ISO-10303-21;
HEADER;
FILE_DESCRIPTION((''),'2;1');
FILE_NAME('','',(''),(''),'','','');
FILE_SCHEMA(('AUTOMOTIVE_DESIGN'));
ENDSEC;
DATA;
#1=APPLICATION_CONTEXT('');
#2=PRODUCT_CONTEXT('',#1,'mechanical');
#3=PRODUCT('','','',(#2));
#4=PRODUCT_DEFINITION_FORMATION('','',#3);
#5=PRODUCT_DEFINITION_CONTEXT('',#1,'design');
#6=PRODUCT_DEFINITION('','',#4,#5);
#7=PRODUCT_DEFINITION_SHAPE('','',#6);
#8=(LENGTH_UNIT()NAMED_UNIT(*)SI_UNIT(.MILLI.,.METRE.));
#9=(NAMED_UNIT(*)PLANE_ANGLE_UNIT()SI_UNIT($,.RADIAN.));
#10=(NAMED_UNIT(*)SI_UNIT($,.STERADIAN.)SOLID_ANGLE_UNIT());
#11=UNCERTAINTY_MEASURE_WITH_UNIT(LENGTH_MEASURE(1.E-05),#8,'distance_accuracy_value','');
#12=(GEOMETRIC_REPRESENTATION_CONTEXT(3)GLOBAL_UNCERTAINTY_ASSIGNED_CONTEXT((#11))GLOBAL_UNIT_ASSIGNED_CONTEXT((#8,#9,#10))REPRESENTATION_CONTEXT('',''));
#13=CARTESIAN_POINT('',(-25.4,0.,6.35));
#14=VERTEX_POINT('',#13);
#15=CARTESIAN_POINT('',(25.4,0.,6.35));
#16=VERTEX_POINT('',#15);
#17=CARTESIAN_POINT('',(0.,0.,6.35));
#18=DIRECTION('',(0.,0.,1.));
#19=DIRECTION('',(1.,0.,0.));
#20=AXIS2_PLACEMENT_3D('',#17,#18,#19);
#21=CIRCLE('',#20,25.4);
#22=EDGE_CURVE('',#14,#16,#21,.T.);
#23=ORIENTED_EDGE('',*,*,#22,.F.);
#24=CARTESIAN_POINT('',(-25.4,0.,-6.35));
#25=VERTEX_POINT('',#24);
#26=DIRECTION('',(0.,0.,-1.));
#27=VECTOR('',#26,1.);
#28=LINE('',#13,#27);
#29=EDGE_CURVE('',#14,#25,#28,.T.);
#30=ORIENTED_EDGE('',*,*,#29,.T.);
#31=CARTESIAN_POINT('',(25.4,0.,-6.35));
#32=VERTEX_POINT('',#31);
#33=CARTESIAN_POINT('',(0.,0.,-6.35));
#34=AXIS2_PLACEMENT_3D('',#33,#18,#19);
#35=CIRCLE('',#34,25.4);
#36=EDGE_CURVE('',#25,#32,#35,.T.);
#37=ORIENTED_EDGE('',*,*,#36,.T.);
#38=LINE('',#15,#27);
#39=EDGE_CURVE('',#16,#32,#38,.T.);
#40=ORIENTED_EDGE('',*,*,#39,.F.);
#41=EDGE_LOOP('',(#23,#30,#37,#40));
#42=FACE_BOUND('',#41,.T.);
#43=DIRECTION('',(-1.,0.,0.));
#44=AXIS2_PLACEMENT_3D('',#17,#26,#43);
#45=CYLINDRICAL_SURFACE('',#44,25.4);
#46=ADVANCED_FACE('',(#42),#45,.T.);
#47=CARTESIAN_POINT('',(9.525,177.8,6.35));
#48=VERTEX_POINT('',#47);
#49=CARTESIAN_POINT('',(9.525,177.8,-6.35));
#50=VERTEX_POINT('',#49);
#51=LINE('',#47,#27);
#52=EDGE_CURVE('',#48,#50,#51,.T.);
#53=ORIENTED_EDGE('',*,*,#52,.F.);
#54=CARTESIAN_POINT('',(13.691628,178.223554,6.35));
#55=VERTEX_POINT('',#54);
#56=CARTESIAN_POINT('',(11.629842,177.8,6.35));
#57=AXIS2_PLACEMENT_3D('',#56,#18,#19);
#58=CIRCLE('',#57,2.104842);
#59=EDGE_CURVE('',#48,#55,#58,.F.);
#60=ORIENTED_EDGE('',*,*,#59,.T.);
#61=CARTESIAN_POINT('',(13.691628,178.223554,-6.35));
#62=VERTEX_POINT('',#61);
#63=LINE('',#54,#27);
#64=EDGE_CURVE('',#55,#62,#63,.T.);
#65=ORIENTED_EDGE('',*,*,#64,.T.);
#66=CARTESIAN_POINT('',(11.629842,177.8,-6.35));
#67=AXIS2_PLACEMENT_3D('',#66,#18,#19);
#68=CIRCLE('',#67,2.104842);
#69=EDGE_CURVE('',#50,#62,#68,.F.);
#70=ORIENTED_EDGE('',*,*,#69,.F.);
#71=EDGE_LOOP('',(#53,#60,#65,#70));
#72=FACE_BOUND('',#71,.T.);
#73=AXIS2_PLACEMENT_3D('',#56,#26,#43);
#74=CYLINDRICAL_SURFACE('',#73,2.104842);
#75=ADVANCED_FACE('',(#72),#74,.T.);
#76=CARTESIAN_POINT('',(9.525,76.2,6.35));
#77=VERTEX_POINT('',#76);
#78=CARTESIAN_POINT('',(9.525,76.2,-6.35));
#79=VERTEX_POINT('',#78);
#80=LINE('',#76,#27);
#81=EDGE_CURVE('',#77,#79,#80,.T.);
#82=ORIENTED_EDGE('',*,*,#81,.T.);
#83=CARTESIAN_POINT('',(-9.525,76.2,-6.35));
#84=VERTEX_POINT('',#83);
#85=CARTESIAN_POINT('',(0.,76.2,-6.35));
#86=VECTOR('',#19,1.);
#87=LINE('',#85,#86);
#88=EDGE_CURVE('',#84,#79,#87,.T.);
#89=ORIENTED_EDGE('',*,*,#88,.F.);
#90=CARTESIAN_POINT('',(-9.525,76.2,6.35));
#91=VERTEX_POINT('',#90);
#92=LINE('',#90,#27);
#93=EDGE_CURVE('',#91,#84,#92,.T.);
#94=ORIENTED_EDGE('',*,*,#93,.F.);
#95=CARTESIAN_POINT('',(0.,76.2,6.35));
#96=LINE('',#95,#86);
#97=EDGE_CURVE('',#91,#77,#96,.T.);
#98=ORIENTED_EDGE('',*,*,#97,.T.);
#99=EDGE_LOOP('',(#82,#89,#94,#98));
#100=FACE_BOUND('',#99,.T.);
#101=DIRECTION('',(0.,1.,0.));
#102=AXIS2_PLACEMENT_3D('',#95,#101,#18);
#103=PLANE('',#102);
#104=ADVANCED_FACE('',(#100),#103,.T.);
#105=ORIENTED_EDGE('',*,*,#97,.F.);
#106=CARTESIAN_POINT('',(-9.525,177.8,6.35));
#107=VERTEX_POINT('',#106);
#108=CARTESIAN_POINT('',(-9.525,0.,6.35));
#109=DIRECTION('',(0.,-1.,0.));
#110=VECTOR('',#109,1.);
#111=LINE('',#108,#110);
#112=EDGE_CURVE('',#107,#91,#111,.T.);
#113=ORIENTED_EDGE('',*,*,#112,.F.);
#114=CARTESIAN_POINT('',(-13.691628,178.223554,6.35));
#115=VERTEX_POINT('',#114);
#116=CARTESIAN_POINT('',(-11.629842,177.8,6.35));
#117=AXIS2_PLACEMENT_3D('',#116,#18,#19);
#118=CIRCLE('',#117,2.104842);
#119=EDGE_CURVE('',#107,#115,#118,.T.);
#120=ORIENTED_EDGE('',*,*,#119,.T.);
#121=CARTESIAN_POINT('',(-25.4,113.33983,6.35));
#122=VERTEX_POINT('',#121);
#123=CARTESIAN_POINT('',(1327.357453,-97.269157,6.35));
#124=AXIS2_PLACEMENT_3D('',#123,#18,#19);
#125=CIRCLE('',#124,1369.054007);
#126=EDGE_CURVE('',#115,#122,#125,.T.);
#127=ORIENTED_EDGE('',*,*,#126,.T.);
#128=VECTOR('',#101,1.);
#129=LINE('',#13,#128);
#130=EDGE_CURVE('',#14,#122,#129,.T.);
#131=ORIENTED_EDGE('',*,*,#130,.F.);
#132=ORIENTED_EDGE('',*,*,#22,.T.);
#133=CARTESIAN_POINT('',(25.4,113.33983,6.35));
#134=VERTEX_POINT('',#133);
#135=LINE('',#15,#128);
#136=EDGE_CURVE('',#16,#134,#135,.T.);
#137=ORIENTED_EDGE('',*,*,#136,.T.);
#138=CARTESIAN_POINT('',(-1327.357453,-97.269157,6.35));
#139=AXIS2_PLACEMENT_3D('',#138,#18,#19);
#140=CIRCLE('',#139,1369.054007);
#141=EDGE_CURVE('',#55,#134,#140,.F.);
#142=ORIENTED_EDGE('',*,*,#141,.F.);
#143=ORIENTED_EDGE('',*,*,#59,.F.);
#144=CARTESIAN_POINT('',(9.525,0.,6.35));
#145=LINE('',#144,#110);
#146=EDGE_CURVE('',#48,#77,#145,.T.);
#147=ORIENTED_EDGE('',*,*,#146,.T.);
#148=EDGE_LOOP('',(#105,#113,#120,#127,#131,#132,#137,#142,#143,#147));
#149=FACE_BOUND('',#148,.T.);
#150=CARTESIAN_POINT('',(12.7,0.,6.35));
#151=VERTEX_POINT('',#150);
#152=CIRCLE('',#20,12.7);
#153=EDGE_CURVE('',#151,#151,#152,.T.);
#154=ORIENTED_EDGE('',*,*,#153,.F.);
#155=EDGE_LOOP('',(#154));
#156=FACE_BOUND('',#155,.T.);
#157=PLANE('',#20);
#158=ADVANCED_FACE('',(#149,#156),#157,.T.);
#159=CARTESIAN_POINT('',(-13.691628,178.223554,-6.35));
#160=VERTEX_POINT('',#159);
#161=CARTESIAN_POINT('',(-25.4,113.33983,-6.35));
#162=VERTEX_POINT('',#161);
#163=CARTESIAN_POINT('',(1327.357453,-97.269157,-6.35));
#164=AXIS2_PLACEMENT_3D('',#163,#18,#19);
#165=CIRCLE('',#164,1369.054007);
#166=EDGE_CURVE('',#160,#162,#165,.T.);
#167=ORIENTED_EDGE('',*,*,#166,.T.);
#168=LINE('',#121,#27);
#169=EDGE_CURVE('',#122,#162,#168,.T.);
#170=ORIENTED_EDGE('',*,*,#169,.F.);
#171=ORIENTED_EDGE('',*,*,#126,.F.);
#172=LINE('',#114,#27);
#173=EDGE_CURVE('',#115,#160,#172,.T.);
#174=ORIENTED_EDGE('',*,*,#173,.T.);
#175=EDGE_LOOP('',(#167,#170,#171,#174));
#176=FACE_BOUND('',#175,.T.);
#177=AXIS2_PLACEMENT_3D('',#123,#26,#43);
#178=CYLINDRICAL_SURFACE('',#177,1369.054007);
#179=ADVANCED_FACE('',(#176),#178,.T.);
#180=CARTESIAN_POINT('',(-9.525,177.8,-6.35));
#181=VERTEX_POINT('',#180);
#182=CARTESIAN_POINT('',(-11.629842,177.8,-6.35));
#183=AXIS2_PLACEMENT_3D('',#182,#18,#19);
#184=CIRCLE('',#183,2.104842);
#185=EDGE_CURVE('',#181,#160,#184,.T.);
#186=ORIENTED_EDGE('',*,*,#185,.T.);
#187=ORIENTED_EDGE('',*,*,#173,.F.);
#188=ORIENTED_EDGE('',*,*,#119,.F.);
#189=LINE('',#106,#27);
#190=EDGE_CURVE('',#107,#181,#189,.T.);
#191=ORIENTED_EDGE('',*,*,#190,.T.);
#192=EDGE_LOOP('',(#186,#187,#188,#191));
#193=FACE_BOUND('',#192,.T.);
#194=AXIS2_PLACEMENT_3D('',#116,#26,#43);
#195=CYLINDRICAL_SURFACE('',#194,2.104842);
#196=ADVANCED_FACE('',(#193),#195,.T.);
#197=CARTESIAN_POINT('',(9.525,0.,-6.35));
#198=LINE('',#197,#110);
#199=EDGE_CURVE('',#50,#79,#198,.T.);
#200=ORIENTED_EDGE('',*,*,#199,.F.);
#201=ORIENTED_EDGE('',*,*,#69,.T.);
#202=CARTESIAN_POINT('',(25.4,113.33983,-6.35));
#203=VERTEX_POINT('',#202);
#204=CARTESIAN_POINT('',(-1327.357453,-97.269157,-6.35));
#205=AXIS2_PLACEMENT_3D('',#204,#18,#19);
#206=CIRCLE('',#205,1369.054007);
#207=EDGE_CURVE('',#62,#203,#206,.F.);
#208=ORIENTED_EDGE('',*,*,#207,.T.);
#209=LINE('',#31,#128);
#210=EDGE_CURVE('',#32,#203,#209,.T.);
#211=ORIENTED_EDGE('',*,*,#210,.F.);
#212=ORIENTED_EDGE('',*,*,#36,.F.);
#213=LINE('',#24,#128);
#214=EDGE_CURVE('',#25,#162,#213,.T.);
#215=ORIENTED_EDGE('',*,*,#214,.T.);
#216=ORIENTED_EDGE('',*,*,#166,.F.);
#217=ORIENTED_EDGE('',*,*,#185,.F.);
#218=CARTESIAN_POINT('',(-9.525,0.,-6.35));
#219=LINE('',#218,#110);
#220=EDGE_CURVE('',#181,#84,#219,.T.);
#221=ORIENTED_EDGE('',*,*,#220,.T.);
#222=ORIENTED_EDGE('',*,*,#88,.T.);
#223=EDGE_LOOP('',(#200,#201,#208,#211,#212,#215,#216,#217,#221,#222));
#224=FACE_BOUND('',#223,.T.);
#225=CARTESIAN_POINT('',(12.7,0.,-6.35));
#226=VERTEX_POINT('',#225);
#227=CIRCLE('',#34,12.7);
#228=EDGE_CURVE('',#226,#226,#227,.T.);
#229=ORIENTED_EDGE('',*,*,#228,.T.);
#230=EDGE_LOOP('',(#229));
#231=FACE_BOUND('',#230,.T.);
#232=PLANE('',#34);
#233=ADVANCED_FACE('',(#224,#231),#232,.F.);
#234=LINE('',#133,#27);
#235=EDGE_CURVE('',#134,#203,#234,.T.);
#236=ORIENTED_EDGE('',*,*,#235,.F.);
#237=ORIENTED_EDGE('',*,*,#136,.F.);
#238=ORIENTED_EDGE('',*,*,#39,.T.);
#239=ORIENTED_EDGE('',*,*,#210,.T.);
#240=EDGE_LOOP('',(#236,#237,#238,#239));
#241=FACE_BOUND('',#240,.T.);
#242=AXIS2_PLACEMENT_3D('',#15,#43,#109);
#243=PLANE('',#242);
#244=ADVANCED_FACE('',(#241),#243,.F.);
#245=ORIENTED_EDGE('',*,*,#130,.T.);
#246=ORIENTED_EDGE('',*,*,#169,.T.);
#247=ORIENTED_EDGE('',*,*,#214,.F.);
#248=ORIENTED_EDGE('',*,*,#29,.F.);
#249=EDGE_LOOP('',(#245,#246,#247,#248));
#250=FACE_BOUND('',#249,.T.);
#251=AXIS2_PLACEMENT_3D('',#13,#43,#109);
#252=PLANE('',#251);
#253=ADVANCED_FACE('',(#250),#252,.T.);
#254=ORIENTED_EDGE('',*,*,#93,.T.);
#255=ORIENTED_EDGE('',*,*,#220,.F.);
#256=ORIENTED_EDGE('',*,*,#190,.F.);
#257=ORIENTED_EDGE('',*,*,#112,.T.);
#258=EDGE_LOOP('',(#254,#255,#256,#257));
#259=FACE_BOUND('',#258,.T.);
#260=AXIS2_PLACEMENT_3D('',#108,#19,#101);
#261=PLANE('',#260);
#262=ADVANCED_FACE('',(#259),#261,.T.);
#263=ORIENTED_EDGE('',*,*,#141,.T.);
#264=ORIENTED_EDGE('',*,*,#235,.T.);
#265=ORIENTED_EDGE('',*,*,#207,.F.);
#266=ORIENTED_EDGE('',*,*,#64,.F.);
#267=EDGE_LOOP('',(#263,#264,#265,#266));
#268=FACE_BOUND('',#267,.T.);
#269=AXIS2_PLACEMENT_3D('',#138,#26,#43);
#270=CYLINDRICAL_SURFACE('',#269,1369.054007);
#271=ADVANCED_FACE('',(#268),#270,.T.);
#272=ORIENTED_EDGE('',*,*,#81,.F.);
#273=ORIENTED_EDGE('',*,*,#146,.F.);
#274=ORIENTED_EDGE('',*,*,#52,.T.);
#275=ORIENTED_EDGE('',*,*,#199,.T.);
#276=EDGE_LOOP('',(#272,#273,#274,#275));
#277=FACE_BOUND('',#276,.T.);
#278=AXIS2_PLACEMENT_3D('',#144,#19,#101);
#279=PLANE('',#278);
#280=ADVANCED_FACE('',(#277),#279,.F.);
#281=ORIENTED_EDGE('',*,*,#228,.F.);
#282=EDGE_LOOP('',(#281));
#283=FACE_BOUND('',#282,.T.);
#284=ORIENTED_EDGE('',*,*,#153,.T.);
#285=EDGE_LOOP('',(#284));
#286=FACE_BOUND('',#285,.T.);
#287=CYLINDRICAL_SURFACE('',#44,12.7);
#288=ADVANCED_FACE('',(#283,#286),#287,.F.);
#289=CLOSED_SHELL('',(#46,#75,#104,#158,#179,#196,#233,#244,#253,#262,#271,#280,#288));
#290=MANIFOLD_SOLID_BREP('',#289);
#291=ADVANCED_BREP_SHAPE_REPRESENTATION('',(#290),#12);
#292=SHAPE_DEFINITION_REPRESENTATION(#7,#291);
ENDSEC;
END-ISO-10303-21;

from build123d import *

# Parameters (mm, degrees)
SKETCH1_R           = 12.7
BOSS_EXTRUDE1_DEPTH = 6.35


with BuildPart() as part:
    # Sketch1 → Boss-Extrude1 (new, symmetric)
    # profile 1 of 3: a face of its own
    with BuildSketch(Plane.XY):
        with BuildLine():
            Line((-9.525, 76.2), (-9.525, 136.886260676))
            ThreePointArc((-9.525, 136.886260676), (-18.575269818, 130.663783585), (-24.152491502, 121.202219064))
            ThreePointArc((-24.152491502, 121.202219064), (-24.781960517, 117.271931521), (-25.4, 113.33983048))
            Line((-25.4, 113.33983048), (-25.4, 0))
            ThreePointArc((-25.4, 0), (0, -25.4), (25.4, 0))
            Line((25.4, 0), (25.4, 113.33983048))
            ThreePointArc((25.4, 113.33983048), (24.781960517, 117.271931521), (24.152491502, 121.202219064))
            ThreePointArc((24.152491502, 121.202219064), (18.575269818, 130.663783585), (9.525, 136.886260676))
            Line((9.525, 136.886260676), (9.525, 76.2))
            Line((9.525, 76.2), (-9.525, 76.2))
        make_face()
        Circle(SKETCH1_R, mode=Mode.SUBTRACT)
    # profile 2 of 3: a face of its own
    with BuildSketch(Plane.XY):
        with BuildLine():
            Line((9.525, 177.8), (9.525, 136.886260676))
            ThreePointArc((9.525, 136.886260676), (18.575269818, 130.663783585), (24.152491502, 121.202219064))
            ThreePointArc((24.152491502, 121.202219064), (19.223916585, 149.768263862), (13.691628219, 178.22355426))
            ThreePointArc((13.691628219, 178.22355426), (11.416973573, 179.894050437), (9.525, 177.8))
        make_face()
    # profile 3 of 3: a face of its own
    with BuildSketch(Plane.XY):
        with BuildLine():
            Line((-9.525, 136.886260676), (-9.525, 177.8))
            ThreePointArc((-9.525, 177.8), (-11.416973573, 179.894050437), (-13.691628219, 178.22355426))
            ThreePointArc((-13.691628219, 178.22355426), (-19.223916585, 149.768263862), (-24.152491502, 121.202219064))
            ThreePointArc((-24.152491502, 121.202219064), (-18.575269818, 130.663783585), (-9.525, 136.886260676))
        make_face()
    extrude(amount=BOSS_EXTRUDE1_DEPTH, both=True)


solid = part.part
